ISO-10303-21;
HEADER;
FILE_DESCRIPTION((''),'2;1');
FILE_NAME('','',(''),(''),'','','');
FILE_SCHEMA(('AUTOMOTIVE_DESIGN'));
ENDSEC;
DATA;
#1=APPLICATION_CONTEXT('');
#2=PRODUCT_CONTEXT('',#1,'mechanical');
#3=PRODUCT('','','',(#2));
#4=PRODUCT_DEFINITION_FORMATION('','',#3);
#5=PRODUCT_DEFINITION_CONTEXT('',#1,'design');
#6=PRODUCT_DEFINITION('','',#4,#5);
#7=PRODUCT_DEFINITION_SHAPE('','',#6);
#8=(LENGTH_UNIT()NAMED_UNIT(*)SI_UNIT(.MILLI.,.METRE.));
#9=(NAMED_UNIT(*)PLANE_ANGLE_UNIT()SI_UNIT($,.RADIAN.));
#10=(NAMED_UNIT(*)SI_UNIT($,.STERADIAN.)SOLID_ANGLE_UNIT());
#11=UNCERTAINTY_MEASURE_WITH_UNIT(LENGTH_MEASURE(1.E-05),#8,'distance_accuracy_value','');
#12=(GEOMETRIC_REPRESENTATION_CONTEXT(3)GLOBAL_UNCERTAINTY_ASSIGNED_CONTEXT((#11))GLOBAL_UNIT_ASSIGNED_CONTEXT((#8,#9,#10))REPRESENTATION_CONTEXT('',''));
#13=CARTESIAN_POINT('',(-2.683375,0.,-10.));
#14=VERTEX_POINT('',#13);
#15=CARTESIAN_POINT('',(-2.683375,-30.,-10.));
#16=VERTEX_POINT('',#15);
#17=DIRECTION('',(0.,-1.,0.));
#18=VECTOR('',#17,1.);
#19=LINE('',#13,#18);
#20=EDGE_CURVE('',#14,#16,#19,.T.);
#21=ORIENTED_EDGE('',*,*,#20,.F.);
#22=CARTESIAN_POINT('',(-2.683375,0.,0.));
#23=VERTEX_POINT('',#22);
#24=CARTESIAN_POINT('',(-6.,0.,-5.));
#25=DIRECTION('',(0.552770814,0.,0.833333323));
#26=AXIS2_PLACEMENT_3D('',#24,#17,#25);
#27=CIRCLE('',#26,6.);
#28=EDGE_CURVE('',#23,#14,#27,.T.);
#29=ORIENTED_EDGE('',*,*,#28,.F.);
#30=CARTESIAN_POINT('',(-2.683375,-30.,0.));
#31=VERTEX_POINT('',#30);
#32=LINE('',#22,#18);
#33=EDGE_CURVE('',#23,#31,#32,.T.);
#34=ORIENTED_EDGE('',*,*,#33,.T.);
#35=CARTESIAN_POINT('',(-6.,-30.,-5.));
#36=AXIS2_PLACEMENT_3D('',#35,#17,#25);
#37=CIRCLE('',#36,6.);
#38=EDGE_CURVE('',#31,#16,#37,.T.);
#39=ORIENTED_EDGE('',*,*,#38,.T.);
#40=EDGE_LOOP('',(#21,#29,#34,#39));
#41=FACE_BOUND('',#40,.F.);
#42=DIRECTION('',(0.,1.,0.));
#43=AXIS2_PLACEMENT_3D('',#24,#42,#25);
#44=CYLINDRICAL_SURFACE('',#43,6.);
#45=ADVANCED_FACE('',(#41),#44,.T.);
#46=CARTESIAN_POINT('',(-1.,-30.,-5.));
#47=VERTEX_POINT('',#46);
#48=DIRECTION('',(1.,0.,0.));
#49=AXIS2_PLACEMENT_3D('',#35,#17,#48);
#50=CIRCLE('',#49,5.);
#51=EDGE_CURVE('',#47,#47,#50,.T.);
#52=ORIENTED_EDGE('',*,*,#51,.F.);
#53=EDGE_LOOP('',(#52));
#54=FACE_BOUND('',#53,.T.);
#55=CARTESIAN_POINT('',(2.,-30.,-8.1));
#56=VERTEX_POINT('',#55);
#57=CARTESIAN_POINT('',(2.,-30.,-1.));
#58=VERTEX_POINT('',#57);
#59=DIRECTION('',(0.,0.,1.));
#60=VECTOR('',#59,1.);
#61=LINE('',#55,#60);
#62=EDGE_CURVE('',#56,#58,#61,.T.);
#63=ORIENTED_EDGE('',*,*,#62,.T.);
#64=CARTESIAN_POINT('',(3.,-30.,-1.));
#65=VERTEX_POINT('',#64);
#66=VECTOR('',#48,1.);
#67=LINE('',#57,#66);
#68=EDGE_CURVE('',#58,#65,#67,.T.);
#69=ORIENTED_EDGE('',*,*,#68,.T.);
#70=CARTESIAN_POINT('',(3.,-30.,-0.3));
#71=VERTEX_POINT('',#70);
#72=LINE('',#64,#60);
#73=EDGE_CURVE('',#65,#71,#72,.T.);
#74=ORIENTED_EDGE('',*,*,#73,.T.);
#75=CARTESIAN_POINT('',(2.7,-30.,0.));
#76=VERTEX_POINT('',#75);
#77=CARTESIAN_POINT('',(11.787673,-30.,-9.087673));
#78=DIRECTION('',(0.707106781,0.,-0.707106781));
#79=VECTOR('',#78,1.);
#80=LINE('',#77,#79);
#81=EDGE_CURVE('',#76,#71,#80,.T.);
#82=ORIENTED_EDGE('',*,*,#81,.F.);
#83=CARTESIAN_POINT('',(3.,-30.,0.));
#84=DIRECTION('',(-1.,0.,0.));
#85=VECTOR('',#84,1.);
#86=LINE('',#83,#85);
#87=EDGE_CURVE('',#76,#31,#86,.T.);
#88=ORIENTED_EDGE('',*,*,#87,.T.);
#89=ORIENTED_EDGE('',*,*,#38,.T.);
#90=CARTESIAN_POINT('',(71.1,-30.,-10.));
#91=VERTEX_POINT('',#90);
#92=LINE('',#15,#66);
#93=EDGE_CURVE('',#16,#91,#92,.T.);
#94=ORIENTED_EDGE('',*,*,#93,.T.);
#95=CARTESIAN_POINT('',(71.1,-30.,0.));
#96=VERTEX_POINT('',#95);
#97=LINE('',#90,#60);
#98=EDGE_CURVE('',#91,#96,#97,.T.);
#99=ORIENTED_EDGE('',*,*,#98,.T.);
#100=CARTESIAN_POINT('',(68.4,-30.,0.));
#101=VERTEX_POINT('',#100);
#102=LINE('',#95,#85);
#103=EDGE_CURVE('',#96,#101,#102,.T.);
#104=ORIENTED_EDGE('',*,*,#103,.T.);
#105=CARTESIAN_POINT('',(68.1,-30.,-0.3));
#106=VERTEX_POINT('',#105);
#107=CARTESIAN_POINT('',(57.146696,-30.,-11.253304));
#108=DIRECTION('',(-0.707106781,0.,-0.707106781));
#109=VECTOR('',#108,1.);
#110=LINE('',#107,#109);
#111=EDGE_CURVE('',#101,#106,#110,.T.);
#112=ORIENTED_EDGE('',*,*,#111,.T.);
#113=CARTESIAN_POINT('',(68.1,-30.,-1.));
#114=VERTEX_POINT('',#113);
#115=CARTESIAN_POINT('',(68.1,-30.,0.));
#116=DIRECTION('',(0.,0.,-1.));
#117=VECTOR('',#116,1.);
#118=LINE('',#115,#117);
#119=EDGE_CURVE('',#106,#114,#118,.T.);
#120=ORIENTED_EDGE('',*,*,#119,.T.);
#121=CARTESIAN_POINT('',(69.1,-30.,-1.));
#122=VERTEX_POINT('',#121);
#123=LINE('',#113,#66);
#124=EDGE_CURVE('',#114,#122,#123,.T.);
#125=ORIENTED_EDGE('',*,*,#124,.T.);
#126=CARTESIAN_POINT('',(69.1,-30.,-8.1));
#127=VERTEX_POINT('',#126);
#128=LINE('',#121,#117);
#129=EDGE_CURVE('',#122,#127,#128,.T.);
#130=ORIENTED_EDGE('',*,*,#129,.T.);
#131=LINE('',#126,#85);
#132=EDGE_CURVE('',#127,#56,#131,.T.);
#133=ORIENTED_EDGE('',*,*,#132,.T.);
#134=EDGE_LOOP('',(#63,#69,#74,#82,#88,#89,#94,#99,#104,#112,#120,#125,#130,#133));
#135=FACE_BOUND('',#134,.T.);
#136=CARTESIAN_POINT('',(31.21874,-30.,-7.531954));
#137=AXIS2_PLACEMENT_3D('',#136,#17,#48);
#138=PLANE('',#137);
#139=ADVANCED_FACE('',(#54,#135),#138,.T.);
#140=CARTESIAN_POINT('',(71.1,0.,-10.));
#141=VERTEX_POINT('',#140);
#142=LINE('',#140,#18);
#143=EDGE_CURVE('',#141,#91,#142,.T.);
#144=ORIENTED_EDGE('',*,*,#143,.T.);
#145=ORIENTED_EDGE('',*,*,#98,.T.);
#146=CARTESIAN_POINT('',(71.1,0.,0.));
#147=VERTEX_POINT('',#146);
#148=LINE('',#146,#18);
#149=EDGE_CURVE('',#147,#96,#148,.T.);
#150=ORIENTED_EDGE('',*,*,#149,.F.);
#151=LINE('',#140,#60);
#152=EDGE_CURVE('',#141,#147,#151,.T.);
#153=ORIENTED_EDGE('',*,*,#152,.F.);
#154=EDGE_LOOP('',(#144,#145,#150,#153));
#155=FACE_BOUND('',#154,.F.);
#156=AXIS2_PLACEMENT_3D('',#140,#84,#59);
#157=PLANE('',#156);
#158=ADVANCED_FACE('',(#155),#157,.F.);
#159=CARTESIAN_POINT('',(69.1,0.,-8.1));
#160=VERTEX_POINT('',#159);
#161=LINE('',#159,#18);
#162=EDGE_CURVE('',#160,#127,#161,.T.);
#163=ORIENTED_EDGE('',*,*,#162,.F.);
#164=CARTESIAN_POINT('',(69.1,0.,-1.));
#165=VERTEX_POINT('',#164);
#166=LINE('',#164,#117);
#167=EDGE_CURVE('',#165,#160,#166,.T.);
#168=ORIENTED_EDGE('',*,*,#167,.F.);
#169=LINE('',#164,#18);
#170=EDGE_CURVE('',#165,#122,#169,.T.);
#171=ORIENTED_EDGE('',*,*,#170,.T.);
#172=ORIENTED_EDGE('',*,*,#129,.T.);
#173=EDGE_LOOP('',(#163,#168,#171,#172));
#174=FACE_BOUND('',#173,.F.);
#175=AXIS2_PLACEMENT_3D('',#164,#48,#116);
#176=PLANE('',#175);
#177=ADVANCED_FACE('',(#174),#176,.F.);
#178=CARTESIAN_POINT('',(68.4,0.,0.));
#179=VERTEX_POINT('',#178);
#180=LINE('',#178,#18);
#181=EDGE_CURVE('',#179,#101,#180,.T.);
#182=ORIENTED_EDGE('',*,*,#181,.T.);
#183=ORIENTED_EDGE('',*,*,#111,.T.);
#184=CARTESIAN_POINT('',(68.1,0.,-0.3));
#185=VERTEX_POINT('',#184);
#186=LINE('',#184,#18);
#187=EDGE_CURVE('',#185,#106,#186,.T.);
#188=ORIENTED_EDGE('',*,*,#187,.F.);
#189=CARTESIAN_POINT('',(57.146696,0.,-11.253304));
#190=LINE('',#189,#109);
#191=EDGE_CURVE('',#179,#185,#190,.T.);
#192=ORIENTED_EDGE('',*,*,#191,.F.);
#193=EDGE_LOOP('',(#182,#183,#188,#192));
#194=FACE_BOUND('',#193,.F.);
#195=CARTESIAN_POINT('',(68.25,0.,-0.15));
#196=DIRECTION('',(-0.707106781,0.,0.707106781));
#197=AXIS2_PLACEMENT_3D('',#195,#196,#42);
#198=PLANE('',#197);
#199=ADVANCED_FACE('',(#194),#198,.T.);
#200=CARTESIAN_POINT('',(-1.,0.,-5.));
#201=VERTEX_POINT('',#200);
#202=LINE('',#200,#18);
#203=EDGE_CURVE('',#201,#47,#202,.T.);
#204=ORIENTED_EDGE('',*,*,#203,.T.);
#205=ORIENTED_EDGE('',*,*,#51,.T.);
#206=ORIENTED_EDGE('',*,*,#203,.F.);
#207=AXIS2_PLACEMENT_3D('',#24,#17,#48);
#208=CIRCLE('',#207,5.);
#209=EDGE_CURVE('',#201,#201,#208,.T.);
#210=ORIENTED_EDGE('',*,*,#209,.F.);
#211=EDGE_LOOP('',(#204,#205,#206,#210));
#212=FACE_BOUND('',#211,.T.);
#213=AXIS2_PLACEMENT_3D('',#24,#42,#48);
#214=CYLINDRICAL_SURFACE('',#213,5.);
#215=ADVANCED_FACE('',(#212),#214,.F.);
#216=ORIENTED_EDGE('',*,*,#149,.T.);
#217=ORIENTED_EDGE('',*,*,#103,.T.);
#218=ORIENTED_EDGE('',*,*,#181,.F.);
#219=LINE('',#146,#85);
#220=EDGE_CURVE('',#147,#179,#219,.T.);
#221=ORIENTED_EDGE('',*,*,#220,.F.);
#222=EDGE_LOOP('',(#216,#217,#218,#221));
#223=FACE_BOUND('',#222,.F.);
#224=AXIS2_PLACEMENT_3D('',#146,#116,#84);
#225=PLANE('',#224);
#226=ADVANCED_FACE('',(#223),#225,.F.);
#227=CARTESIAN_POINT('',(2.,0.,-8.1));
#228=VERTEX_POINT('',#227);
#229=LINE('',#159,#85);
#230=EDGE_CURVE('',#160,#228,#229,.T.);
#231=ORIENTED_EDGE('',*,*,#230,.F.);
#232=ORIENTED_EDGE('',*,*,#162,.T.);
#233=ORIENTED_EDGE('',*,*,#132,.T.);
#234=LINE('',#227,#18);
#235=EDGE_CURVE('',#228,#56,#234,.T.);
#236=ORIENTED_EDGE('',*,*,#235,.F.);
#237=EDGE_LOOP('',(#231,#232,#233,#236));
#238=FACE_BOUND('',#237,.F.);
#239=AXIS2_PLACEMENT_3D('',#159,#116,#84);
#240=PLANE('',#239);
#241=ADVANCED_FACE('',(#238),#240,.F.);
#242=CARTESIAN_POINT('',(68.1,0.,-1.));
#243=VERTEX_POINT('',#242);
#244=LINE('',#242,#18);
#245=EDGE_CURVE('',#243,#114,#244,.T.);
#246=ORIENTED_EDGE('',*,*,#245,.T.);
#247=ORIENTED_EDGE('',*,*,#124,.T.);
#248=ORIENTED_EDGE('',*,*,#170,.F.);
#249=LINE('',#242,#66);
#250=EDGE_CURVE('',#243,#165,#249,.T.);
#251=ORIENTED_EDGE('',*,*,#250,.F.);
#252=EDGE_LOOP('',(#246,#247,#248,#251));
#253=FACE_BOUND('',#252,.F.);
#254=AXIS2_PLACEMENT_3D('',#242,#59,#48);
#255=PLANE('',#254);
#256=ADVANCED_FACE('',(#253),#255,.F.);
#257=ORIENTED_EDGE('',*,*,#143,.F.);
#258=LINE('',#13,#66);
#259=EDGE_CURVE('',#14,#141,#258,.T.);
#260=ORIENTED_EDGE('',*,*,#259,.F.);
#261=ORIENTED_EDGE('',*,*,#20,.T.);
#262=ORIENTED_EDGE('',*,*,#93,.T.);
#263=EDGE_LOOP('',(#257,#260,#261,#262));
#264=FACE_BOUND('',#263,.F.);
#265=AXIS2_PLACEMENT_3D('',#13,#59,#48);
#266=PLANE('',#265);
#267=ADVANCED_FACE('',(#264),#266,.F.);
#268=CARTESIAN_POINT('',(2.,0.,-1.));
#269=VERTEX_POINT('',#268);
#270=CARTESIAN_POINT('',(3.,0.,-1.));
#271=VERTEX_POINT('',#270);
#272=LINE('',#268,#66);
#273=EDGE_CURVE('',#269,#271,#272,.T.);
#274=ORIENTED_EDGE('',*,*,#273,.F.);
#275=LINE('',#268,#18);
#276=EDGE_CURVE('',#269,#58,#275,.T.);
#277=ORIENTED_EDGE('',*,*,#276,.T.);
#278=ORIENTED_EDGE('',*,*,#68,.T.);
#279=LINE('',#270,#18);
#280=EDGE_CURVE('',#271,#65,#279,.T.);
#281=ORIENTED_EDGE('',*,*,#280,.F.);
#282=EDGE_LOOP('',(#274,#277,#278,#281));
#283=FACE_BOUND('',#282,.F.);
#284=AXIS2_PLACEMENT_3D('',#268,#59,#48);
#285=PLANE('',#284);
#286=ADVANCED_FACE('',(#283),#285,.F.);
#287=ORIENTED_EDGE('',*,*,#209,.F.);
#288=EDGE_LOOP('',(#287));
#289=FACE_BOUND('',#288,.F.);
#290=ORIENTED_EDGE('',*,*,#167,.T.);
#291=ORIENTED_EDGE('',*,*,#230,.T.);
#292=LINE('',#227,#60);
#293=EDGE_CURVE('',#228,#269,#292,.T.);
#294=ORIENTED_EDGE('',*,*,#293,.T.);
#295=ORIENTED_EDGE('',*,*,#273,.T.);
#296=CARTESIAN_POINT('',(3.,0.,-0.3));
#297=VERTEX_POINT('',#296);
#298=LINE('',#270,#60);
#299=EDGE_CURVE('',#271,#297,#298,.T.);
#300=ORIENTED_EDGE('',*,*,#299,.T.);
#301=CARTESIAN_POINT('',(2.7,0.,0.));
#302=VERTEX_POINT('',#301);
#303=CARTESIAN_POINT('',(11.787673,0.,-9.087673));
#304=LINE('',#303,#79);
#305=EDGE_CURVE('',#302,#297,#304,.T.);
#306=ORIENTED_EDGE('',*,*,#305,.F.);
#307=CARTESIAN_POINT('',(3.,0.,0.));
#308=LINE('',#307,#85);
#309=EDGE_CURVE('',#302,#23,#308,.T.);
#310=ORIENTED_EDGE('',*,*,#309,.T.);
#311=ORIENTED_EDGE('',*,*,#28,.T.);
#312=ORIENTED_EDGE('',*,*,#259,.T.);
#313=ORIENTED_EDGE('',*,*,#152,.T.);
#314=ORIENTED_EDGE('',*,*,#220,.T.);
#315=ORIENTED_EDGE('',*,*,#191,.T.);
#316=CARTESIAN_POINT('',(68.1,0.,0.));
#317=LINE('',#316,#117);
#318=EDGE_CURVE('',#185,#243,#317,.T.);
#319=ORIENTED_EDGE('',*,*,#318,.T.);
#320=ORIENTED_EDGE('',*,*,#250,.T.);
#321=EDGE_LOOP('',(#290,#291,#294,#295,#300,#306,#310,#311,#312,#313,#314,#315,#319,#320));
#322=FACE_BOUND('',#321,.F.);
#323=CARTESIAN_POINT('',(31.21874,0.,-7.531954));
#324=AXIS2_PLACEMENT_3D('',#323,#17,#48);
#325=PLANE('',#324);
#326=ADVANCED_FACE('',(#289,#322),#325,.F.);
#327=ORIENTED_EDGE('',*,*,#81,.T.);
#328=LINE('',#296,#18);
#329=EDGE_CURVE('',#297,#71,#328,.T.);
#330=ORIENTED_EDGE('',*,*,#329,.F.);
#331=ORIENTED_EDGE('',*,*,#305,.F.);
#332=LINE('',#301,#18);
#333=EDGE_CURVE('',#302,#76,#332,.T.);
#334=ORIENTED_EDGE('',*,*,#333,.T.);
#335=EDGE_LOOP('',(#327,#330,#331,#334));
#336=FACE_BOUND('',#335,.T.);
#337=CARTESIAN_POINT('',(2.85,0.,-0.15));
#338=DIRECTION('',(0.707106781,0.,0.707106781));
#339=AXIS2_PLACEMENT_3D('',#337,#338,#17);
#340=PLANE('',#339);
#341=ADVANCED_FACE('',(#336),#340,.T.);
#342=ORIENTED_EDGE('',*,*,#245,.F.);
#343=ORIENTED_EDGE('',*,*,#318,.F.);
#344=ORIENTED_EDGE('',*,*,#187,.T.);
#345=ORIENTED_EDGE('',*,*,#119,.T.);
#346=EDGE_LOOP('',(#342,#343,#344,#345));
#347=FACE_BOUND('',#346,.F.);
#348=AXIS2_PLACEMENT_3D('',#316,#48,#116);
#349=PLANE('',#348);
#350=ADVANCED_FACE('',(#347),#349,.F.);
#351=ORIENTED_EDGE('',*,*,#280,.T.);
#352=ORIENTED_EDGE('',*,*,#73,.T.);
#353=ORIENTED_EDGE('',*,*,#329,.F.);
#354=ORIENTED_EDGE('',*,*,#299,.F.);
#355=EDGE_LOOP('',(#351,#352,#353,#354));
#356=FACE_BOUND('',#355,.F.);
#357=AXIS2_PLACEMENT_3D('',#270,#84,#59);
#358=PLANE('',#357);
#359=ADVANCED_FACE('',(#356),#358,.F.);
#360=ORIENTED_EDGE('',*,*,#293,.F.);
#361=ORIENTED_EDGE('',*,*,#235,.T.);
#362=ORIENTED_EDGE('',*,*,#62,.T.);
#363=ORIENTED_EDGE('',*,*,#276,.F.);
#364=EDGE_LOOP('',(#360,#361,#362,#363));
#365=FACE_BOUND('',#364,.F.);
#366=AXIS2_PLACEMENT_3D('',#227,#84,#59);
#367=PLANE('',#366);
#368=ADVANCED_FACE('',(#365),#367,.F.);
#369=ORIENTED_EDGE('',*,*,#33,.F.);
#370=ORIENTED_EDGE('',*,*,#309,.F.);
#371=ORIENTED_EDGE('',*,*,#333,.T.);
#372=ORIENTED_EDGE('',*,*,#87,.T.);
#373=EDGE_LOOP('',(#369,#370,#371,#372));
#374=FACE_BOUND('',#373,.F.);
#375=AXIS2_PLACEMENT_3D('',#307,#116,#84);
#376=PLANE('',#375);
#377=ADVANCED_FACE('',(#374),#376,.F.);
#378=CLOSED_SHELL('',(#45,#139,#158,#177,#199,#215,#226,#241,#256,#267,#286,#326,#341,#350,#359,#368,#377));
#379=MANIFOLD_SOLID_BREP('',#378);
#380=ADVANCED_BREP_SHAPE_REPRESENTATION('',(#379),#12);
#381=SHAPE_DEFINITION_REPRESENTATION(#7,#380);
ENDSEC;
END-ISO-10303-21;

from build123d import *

# Parameters (mm, degrees)
F0_R     = 5
F1_DEPTH = 30
F2_SIZE  = 0.3


with BuildPart() as f1:
    # F0 (on Front) → F1 (new body)
    with BuildSketch(Plane.XZ):
        with BuildLine():
            Line((3, 0), (0, 0))
            Line((0, 0), (-2.683375, 0))
            ThreePointArc((-2.683375, 0), (-12, -5), (-2.683375, -10))
            Line((-2.683375, -10), (0, -10))
            Line((0, -10), (71.1, -10))
            Line((71.1, -10), (71.1, 0))
            Line((71.1, 0), (68.1, 0))
            Line((68.1, 0), (68.1, -1))
            Line((68.1, -1), (69.1, -1))
            Line((69.1, -1), (69.1, -8.1))
            Line((69.1, -8.1), (2, -8.1))
            Line((2, -8.1), (2, -1))
            Line((2, -1), (3, -1))
            Line((3, -1), (3, 0))
        make_face()
        with Locations((-6, -5)):
            Circle(F0_R, mode=Mode.SUBTRACT)
    extrude(amount=F1_DEPTH)

    # F2
    f2_edges = [f1.edges().sort_by_distance(p)[0] for p in [
        (68.1, -15, 0),
        (3, -15, 0),
    ]]
    chamfer(f2_edges, length=F2_SIZE)


solid = f1.part
